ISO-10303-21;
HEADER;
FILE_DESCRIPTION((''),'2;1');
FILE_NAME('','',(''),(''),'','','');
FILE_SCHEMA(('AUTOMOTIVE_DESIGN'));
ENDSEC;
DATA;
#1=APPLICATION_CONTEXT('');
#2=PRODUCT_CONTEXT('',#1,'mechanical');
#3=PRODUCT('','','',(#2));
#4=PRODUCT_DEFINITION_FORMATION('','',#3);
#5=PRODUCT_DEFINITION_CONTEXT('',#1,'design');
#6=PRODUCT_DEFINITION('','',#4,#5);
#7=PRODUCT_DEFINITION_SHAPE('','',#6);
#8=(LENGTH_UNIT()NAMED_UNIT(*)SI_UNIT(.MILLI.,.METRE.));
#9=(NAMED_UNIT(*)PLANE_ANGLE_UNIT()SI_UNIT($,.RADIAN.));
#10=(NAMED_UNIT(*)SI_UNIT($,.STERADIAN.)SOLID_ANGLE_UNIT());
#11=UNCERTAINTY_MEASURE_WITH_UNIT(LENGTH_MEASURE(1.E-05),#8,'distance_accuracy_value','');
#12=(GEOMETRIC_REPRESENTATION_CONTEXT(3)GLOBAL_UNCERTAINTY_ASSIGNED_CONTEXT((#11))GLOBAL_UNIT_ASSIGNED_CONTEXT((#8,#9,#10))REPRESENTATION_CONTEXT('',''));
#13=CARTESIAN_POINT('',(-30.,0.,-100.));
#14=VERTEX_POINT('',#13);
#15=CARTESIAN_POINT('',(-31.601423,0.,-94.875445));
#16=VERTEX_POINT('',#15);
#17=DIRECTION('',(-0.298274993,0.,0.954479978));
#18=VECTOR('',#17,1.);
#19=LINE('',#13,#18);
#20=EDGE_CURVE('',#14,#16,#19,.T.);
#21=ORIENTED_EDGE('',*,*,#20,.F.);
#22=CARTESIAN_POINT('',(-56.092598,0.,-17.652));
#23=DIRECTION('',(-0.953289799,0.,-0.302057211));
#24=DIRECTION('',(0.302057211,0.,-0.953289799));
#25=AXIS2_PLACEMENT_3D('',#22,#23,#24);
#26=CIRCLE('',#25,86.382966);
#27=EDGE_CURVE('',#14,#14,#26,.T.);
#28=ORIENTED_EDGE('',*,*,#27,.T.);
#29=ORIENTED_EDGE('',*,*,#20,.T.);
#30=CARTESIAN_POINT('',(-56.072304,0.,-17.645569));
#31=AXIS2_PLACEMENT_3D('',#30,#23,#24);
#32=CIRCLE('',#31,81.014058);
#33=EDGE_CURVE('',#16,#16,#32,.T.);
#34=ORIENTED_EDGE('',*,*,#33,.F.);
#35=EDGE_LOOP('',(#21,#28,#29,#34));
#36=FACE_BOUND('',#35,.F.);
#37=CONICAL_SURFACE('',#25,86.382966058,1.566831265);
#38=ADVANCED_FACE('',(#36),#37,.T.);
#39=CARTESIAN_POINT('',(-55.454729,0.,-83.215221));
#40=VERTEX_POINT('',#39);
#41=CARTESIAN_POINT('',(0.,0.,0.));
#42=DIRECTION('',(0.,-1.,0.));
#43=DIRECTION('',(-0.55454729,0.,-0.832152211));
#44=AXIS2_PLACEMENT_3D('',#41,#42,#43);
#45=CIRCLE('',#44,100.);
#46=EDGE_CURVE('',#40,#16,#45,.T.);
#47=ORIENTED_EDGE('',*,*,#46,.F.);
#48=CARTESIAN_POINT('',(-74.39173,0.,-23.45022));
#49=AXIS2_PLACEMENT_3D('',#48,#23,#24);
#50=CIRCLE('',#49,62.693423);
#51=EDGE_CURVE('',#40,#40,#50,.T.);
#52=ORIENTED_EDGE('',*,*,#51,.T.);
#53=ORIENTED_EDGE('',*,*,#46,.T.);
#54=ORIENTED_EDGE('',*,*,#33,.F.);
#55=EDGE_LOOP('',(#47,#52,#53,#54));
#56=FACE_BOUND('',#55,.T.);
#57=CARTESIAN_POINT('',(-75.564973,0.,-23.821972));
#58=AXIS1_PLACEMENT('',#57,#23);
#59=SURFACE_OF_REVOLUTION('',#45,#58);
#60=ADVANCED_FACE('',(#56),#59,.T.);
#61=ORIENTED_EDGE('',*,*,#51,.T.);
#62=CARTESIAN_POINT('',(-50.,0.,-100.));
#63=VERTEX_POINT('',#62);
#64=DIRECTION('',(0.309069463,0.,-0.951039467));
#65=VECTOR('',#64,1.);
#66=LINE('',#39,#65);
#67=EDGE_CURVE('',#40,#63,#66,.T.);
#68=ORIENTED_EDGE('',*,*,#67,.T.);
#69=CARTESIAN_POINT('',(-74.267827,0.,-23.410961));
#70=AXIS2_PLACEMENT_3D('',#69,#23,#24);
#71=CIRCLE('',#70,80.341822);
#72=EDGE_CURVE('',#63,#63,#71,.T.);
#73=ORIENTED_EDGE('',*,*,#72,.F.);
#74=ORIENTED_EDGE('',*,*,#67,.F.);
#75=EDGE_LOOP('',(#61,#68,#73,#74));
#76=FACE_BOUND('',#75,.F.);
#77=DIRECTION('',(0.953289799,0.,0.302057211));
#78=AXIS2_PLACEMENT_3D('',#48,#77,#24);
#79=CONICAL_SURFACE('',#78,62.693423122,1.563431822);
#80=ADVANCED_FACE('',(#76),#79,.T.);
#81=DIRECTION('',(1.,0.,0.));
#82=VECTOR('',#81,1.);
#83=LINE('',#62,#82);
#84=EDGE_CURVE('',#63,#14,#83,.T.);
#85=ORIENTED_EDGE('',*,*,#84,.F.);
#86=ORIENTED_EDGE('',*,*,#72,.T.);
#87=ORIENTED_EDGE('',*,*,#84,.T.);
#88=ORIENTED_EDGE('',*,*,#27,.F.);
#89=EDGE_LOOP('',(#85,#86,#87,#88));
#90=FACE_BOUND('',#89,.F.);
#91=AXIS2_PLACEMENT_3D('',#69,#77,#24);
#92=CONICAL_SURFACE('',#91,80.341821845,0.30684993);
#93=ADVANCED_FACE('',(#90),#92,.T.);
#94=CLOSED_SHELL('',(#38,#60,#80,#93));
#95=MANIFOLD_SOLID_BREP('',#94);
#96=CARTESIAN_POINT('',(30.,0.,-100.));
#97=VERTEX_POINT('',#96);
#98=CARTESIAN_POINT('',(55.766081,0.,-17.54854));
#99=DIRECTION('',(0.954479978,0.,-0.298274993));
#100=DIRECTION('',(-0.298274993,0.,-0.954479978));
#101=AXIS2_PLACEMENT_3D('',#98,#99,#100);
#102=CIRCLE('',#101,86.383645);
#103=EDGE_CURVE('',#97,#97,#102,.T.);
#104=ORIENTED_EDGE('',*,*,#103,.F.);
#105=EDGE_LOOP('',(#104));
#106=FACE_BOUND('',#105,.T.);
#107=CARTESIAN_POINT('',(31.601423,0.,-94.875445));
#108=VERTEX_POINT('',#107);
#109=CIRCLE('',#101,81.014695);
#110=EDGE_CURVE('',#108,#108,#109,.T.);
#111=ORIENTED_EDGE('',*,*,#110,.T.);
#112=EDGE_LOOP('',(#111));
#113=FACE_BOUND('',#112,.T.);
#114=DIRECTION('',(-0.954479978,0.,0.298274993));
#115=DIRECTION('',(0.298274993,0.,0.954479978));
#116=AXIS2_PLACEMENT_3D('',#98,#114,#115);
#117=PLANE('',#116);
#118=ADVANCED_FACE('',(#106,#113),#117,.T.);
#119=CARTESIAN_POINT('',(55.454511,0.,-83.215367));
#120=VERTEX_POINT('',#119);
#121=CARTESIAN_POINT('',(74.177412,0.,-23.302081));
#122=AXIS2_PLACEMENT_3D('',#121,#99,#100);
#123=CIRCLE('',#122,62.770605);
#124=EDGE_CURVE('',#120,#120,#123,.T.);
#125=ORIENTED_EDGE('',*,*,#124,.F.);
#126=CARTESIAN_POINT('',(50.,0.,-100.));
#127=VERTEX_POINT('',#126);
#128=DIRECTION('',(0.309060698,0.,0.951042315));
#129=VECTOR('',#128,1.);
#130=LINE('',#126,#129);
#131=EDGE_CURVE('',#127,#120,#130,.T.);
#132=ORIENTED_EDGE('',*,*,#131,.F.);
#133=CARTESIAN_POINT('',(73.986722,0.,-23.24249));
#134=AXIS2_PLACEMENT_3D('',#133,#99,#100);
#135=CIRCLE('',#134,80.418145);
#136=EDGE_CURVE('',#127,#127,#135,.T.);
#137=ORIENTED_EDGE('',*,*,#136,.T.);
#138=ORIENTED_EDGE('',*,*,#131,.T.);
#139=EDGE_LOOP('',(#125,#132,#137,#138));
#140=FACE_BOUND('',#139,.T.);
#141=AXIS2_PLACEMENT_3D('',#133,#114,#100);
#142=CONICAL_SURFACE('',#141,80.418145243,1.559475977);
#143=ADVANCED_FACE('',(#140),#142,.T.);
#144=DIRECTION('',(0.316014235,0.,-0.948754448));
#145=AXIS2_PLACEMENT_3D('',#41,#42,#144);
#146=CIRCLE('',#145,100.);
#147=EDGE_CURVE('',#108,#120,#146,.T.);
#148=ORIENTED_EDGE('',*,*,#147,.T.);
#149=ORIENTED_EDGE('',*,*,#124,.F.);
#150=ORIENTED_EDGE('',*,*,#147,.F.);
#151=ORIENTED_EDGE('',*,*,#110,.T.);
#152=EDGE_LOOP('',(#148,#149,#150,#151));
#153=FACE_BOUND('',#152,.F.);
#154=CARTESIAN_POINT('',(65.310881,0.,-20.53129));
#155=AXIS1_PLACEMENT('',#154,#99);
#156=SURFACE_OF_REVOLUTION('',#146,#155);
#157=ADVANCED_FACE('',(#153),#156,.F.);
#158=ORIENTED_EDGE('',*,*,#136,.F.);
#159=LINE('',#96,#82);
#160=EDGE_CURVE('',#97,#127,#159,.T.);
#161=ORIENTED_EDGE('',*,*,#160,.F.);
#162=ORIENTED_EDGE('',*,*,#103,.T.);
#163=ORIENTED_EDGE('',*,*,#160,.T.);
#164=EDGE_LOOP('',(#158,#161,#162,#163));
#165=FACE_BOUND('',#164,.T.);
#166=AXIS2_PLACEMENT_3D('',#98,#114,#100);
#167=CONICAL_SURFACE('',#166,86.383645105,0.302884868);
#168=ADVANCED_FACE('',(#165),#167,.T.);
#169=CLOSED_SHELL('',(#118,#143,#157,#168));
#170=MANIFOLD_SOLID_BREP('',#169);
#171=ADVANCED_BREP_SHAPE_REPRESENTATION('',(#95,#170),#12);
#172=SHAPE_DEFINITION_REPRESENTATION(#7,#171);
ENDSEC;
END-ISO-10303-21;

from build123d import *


with BuildPart() as f1:
    # F0 (on Front) → F1 (revolve)
    with BuildSketch(Plane.XZ):
        with BuildLine():
            Line((-31.6014234875, -94.8754448399), (-55.7660811508, -17.5485403173))
            Line((-55.7660811508, -17.5485403173), (-74.8318771378, -23.5896845288))
            Line((-74.8318771378, -23.5896845288), (-55.4547290403, -83.2152211261))
            ThreePointArc((-55.4547290403, -83.2152211261), (-43.9167807051, -89.8405051883), (-31.6014234875, -94.8754448399))
        make_face()
        with BuildLine():
            Line((-30, -100), (-31.6014234875, -94.8754448399))
            ThreePointArc((-31.6014234875, -94.8754448399), (-43.9167807051, -89.8405051883), (-55.4547290403, -83.2152211261))
            Line((-55.4547290403, -83.2152211261), (-50, -100))
            Line((-50, -100), (-30, -100))
        make_face()
    revolve(axis=Axis((-75.5649730165, 0, -23.8219716007), (-0.9532897993, 0, -0.3020572106)))

    # F0 (on Front) → F2 (revolve, cut)
    with BuildSketch(Plane.XZ):
        with BuildLine():
            Line((-31.6014234875, -94.8754448399), (-55.7660811508, -17.5485403173))
            Line((-55.7660811508, -17.5485403173), (-74.8318771378, -23.5896845288))
            Line((-74.8318771378, -23.5896845288), (-55.4547290403, -83.2152211261))
            ThreePointArc((-55.4547290403, -83.2152211261), (-43.9167807051, -89.8405051883), (-31.6014234875, -94.8754448399))
        make_face()
        with BuildLine():
            Line((-74.8318771378, -23.5896845288), (-95.3638648821, -30.0954028841))
            ThreePointArc((-95.3638648821, -30.0954028841), (-79.9499270838, -60.0667059135), (-55.4547290403, -83.2152211261))
            Line((-55.4547290403, -83.2152211261), (-74.8318771378, -23.5896845288))
        make_face()
    revolve(axis=Axis((-75.5649730165, 0, -23.8219716007), (-0.9532897993, 0, -0.3020572106)), mode=Mode.SUBTRACT)


with BuildPart() as f3:
    # F0 (on Front) → F3 (revolve)
    with BuildSketch(Plane.XZ):
        with BuildLine():
            ThreePointArc((31.6014234875, -94.8754448399), (43.9166628588, -89.8405627951), (55.4545107287, -83.2153666088))
            Line((55.4545107287, -83.2153666088), (74.8556807115, -23.51404018))
            Line((74.8556807115, -23.51404018), (55.7660811508, -17.5485403173))
            Line((55.7660811508, -17.5485403173), (31.6014234875, -94.8754448399))
        make_face()
        with BuildLine():
            Line((50, -100), (55.4545107287, -83.2153666088))
            ThreePointArc((55.4545107287, -83.2153666088), (43.9166628588, -89.8405627951), (31.6014234875, -94.8754448399))
            Line((31.6014234875, -94.8754448399), (30, -100))
            Line((30, -100), (50, -100))
        make_face()
    revolve(axis=Axis((65.3108809312, 0, -20.5312902486), (0.954479978, 0, -0.2982749931)))

    # F0 (on Front) → F4 (revolve, cut)
    with BuildSketch(Plane.XZ):
        with BuildLine():
            ThreePointArc((31.6014234875, -94.8754448399), (43.9166628588, -89.8405627951), (55.4545107287, -83.2153666088))
            Line((55.4545107287, -83.2153666088), (74.8556807115, -23.51404018))
            Line((74.8556807115, -23.51404018), (55.7660811508, -17.5485403173))
            Line((55.7660811508, -17.5485403173), (31.6014234875, -94.8754448399))
        make_face()
    revolve(axis=Axis((65.3108809312, 0, -20.5312902486), (0.954479978, 0, -0.2982749931)), mode=Mode.SUBTRACT)


solid = Compound([f1.part, f3.part])
